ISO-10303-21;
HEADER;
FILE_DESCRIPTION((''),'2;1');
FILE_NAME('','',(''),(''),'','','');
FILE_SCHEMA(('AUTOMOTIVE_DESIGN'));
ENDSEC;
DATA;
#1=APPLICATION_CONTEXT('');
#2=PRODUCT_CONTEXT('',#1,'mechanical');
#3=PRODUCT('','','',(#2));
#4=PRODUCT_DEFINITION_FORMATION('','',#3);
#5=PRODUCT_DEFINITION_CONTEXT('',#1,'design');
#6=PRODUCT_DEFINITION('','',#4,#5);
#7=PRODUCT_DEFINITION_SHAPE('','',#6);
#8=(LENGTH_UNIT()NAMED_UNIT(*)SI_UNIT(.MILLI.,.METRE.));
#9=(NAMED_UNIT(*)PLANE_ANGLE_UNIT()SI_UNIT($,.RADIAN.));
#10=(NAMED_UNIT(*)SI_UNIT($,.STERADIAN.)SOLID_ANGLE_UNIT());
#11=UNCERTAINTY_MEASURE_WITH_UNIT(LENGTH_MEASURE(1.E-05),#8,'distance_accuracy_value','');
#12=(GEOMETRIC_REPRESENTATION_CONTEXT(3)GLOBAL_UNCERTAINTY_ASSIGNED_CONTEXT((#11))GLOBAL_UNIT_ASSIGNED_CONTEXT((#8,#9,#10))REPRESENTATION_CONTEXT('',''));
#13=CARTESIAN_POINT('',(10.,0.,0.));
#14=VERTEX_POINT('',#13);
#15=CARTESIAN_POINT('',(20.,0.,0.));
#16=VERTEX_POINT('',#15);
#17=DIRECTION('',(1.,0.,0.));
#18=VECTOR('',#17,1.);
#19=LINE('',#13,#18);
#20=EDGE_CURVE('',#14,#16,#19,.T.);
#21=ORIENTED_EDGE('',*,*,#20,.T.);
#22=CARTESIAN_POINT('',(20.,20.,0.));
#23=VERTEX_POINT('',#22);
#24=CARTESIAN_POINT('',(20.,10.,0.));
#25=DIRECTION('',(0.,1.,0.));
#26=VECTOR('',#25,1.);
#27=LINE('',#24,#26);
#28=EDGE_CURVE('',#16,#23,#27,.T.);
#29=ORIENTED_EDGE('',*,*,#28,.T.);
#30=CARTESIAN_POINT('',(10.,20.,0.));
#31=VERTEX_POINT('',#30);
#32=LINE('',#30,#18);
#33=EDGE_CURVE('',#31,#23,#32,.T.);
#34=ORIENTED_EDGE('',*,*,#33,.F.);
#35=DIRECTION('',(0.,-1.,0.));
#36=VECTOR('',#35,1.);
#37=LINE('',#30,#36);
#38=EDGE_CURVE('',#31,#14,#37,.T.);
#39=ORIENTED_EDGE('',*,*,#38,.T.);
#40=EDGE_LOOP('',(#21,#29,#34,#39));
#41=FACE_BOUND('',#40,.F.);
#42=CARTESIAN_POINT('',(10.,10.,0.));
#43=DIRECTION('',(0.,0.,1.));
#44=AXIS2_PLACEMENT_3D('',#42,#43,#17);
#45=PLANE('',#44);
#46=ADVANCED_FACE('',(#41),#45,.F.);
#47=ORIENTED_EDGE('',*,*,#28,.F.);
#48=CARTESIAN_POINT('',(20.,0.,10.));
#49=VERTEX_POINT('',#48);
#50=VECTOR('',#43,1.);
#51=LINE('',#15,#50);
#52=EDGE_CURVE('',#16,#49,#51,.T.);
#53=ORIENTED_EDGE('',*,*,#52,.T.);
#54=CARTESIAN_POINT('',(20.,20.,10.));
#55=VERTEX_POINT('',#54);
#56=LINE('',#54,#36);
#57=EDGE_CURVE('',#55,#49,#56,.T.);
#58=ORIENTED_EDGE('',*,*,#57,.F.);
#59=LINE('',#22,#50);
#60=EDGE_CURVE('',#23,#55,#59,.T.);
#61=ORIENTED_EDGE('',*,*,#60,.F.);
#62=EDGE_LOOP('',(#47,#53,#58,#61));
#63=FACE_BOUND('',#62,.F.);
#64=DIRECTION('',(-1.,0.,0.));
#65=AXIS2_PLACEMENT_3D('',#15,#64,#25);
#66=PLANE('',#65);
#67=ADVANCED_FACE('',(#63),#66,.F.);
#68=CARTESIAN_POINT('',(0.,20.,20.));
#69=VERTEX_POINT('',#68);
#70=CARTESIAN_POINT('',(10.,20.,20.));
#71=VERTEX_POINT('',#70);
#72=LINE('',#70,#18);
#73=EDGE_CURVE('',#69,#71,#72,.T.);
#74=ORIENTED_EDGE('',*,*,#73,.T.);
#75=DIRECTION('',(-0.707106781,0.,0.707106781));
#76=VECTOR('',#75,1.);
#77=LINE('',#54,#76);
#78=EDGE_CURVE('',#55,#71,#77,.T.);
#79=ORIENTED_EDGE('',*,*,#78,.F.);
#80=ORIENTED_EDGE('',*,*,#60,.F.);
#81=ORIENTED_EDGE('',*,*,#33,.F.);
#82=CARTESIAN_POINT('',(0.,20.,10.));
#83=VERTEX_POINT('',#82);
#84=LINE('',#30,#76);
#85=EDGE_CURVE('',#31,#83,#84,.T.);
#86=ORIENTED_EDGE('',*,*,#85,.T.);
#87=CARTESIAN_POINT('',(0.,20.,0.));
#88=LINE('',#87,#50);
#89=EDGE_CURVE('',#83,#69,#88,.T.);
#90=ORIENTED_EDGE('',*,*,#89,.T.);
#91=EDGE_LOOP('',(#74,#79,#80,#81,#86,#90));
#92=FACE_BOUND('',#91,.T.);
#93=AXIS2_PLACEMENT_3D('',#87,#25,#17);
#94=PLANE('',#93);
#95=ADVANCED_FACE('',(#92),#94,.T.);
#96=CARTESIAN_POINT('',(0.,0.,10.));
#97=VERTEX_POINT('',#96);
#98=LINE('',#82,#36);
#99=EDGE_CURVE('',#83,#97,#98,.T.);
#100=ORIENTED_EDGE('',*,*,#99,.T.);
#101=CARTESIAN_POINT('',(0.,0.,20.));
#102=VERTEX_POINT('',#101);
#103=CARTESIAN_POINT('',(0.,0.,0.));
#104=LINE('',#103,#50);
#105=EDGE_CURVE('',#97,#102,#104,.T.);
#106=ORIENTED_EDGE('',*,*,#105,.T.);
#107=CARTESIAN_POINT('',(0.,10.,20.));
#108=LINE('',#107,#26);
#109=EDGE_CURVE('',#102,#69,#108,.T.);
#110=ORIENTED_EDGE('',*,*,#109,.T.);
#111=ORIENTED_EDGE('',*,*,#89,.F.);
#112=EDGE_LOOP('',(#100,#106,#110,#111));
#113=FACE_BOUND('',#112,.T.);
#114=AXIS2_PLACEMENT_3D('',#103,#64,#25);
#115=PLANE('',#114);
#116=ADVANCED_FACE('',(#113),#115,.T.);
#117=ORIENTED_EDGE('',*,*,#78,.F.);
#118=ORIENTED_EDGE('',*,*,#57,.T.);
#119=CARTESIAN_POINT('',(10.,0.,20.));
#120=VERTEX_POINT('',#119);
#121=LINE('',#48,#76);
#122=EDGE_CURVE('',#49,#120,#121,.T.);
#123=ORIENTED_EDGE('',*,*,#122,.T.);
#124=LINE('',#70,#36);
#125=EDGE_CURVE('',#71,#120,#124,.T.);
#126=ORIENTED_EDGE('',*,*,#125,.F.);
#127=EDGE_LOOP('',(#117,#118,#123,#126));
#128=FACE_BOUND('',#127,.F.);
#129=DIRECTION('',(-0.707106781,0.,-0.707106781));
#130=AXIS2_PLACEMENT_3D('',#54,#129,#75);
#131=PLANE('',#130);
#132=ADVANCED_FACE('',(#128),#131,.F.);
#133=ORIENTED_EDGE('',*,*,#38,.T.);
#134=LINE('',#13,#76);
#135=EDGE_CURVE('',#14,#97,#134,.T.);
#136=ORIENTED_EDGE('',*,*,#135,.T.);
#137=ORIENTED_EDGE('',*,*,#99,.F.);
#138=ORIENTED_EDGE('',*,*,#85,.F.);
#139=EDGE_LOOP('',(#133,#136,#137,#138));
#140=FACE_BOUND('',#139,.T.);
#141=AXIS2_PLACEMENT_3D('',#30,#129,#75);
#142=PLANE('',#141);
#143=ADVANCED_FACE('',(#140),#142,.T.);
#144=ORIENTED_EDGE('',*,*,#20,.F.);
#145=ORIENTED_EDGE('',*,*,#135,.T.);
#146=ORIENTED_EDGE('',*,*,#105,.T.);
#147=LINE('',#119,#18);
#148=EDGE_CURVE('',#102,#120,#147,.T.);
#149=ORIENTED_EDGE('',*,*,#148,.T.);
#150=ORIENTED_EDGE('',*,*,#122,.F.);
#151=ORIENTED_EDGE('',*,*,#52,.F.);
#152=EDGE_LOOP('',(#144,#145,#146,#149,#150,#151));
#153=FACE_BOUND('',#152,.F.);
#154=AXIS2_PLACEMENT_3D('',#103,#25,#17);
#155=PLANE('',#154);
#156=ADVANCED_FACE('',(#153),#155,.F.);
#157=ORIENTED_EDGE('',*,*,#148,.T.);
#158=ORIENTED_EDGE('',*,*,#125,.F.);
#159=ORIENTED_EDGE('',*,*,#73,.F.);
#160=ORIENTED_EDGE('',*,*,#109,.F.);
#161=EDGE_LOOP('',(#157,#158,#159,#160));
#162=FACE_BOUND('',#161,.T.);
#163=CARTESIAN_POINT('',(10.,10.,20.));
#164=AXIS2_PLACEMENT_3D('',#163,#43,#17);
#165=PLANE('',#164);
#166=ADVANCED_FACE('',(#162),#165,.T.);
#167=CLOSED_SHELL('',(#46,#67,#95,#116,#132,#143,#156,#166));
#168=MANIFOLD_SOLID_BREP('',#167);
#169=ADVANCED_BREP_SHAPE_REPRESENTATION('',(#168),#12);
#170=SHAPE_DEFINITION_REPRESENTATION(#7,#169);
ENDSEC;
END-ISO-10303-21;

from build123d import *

# Parameters (mm, degrees)
SKETCH1_W           = 20
SKETCH1_H           = 20
BOSS_EXTRUDE1_DEPTH = 20
CUT_EXTRUDE1_DEPTH  = 20
CUT_EXTRUDE2_DEPTH  = 20


with BuildPart() as part:
    # Sketch1 → Boss-Extrude1 (new body)
    with BuildSketch(Plane.XY):
        with Locations((10, 10)):
            Rectangle(SKETCH1_W, SKETCH1_H)
    extrude(amount=BOSS_EXTRUDE1_DEPTH)

    # Sketch2 → Cut-Extrude1 (cut)
    with BuildSketch(Plane(origin=(0, 20, 0), x_dir=(1, 0, 0), z_dir=(0, 1, 0))):
        Polygon((20, -20), (20, -10), (10, -20), align=None)
    extrude(amount=-CUT_EXTRUDE1_DEPTH, mode=Mode.SUBTRACT)

    # Sketch3 → Cut-Extrude2 (cut)
    with BuildSketch(Plane(origin=(0, 20, 0), x_dir=(1, 0, 0), z_dir=(0, 1, 0))):
        Polygon((0, 0), (10, 0), (0, -10), align=None)
    extrude(amount=-CUT_EXTRUDE2_DEPTH, mode=Mode.SUBTRACT)


solid = part.part
